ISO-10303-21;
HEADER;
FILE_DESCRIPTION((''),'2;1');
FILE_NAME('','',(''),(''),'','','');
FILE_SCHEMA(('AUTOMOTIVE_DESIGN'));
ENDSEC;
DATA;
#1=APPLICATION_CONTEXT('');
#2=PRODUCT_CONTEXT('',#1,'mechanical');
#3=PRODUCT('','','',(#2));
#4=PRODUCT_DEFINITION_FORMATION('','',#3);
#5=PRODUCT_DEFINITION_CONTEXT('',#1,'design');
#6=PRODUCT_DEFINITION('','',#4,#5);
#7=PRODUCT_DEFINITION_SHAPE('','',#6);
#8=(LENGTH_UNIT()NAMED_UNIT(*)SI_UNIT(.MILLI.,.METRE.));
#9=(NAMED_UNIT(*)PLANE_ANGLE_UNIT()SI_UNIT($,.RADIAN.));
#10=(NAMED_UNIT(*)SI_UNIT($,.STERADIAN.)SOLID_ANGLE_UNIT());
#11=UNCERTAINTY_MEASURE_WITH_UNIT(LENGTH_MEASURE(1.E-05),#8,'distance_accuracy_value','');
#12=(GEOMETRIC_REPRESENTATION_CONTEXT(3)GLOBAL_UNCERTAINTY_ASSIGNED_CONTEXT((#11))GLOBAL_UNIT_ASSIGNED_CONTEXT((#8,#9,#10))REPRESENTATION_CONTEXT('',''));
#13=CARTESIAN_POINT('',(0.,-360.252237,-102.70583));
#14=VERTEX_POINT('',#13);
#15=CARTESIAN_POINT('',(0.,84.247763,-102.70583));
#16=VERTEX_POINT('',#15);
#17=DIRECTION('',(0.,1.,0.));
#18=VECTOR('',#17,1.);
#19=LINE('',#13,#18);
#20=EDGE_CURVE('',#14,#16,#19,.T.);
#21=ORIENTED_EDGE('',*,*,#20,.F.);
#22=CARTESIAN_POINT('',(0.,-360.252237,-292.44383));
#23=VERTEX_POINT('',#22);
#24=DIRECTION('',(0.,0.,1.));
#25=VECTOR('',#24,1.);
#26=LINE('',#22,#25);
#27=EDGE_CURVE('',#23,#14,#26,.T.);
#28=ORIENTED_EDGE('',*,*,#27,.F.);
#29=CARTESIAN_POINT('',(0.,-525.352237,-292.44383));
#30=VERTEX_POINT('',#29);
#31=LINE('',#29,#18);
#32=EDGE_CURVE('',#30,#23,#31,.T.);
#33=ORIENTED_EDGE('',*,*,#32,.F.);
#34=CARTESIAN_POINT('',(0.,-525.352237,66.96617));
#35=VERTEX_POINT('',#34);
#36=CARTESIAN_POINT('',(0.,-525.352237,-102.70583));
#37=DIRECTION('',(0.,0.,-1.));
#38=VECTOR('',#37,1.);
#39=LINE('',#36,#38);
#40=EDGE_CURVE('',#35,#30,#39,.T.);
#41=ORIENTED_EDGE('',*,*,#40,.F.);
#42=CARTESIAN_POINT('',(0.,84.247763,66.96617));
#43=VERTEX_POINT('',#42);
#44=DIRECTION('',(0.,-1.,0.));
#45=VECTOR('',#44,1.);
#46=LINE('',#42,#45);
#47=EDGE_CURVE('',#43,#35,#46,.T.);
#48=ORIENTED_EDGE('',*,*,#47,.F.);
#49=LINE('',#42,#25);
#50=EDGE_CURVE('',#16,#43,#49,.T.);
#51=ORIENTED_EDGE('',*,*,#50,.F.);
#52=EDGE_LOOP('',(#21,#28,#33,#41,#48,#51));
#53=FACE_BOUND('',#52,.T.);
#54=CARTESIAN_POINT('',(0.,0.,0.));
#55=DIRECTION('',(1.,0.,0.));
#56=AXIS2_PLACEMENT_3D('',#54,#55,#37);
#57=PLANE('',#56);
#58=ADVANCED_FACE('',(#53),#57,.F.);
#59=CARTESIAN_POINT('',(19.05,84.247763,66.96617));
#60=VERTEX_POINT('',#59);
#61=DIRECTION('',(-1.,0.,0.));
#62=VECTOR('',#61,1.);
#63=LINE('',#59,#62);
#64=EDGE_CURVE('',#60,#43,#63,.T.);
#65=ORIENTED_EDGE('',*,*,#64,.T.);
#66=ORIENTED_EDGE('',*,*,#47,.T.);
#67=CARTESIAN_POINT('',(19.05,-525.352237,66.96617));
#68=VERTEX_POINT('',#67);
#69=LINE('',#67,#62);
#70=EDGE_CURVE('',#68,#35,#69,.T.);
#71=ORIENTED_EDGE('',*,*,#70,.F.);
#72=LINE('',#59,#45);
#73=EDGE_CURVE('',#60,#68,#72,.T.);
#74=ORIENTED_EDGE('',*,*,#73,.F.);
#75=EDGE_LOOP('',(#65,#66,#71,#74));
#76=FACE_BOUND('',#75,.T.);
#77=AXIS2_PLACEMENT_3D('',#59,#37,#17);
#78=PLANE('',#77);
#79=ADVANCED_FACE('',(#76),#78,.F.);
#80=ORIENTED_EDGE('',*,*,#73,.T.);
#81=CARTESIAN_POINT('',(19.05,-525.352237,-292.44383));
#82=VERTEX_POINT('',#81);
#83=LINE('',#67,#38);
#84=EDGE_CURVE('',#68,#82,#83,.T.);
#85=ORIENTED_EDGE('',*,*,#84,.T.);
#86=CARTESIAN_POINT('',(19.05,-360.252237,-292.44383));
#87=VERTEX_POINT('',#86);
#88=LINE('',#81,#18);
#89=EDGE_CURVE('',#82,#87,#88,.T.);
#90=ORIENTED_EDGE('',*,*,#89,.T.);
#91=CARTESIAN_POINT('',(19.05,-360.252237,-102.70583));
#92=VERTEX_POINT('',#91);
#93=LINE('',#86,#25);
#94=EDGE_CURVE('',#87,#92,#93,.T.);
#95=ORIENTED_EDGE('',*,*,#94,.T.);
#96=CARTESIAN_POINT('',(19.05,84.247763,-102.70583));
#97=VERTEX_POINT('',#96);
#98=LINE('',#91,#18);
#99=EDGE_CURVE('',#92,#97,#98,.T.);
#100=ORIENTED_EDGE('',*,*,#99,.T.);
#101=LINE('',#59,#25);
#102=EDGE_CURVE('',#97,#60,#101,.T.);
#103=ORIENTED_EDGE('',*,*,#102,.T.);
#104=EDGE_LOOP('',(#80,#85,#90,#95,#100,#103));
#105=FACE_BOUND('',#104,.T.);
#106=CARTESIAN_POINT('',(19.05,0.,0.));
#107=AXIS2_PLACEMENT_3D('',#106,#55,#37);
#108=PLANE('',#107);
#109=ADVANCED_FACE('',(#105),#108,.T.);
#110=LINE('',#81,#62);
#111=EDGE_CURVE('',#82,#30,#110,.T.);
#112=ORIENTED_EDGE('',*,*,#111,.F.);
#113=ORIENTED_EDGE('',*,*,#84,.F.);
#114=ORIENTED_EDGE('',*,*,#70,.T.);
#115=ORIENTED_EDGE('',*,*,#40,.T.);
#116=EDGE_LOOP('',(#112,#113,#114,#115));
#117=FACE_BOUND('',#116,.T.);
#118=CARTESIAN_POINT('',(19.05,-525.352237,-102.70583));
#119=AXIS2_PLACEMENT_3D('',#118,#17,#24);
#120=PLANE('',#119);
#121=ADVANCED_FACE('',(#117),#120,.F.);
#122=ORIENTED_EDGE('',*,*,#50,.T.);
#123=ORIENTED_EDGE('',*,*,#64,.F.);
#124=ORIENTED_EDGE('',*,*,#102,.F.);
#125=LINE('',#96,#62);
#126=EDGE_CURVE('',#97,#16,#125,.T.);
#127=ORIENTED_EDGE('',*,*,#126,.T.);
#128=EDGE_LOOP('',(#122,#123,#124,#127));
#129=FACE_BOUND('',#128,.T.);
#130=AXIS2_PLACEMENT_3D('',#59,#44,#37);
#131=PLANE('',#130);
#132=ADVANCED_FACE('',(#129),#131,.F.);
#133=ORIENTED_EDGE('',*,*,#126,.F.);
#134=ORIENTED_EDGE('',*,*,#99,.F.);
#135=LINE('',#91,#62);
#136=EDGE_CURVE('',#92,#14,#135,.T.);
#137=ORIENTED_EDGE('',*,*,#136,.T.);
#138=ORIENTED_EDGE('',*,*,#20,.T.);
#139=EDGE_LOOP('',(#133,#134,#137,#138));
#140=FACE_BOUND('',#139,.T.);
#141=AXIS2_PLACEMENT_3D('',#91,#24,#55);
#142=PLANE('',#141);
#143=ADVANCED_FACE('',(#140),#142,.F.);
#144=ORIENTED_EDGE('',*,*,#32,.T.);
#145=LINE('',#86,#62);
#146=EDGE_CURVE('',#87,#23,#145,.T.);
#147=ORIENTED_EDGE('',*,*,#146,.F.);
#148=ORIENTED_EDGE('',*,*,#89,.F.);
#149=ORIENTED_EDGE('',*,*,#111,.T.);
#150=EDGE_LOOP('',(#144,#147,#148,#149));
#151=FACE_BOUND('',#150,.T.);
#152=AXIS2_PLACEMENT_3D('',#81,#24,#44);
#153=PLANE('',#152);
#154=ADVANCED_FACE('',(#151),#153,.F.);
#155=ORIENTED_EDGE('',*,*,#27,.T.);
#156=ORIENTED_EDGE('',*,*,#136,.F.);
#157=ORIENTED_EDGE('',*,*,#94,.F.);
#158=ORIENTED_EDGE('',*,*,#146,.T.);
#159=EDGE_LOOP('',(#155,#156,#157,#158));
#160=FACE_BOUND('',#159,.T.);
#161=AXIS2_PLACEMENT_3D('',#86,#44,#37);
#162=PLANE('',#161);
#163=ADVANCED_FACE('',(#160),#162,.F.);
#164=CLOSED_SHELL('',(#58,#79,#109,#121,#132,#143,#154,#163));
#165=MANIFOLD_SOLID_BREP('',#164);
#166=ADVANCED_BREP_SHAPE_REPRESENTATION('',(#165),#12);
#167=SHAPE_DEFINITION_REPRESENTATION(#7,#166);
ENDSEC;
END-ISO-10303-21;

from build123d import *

# Parameters (mm, degrees)
BOSS_EXTRUDE1_DEPTH = 19.05


with BuildPart() as part:
    # Sketch1 → Boss-Extrude1 (new body)
    with BuildSketch(Plane(origin=(0, 0, 0), x_dir=(0, 0, -1), z_dir=(1, 0, 0))):
        Polygon((102.705829668, -525.352237324), (292.443829668, -525.352237324), (292.443829668, -360.252237324), (102.705829668, -360.252237324), (102.705829668, 84.247762676), (-66.966170332, 84.247762676), (-66.966170332, -525.352237324), align=None)
    extrude(amount=BOSS_EXTRUDE1_DEPTH)


solid = part.part
